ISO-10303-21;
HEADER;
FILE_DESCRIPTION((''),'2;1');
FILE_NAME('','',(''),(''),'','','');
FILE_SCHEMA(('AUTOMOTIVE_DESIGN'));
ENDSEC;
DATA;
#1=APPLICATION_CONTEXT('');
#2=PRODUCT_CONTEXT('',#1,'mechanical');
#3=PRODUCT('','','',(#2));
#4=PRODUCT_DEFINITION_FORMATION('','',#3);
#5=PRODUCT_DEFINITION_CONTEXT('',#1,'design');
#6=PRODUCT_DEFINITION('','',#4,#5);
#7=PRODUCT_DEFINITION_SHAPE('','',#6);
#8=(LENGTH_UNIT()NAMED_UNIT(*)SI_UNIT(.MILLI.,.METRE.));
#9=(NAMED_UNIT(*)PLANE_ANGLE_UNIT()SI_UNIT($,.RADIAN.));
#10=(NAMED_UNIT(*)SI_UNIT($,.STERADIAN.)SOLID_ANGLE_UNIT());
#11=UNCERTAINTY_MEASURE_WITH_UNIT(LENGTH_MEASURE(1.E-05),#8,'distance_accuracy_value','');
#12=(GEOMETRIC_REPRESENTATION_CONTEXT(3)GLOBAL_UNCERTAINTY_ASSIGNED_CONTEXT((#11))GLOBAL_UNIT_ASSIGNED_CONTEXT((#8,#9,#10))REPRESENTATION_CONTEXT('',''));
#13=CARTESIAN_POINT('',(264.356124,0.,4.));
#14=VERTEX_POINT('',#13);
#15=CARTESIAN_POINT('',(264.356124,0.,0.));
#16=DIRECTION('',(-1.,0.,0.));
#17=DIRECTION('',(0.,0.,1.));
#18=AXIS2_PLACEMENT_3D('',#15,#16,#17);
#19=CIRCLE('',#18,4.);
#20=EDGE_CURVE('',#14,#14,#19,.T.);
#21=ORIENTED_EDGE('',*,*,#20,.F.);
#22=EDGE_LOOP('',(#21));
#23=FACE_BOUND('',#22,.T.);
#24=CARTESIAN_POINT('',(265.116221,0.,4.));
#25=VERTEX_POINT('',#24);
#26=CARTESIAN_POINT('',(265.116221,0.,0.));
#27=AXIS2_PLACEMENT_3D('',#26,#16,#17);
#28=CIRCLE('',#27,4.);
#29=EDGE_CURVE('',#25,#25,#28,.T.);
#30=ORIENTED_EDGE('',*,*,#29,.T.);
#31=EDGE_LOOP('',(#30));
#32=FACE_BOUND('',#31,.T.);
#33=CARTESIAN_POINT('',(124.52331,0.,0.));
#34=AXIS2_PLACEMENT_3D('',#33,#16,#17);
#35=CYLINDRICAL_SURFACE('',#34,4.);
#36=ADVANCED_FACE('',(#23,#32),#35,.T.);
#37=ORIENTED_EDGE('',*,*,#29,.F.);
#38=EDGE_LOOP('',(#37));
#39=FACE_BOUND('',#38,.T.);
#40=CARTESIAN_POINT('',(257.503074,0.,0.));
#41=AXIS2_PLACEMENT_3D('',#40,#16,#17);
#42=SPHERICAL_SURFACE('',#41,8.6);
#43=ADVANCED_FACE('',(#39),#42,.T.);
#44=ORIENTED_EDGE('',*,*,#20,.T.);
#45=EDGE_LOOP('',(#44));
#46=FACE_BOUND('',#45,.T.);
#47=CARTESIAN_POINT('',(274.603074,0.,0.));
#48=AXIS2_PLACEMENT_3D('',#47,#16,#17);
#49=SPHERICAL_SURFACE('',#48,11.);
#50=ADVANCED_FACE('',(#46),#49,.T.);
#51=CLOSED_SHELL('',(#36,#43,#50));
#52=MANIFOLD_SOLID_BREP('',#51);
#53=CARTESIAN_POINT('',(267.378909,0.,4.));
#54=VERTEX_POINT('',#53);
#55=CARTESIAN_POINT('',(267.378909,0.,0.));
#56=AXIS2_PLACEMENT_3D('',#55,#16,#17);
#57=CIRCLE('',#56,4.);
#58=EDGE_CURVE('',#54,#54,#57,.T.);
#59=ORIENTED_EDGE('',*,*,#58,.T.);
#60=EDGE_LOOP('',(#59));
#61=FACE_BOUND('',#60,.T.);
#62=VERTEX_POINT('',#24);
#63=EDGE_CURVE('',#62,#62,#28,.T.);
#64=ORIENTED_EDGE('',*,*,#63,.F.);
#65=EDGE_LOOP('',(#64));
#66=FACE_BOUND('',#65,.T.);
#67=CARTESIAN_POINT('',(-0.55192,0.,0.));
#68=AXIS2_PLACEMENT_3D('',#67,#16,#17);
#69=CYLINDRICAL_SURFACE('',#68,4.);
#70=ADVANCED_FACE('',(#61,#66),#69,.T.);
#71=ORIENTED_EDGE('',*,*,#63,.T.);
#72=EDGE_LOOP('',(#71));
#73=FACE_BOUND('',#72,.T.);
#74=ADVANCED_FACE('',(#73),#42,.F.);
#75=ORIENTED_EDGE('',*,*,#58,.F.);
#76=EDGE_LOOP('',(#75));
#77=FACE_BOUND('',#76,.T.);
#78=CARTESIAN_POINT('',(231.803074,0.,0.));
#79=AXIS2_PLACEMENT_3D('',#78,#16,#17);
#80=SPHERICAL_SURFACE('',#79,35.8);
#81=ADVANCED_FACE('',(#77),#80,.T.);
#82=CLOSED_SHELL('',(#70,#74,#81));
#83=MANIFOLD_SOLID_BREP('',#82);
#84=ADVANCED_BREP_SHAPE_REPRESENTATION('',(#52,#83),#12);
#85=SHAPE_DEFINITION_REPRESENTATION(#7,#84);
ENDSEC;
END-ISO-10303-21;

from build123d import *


with BuildPart() as part:
    # 草图1 one side → 旋转1 (revolve)
    with BuildSketch(Plane(origin=(0, 0, 0), x_dir=(1, 0, 0), z_dir=(0, 1, 0)), mode=Mode.PRIVATE) as revolve_1_sk:
        with BuildLine():
            ThreePointArc((264.356123725, 4), (263.792976008, 2.035134096), (263.603074491, 0))
            Line((263.603074491, 0), (266.103074491, 0))
            ThreePointArc((266.103074491, 0), (265.852717001, 2.059968433), (265.116221015, 4))
            Line((265.116221015, 4), (264.356123725, 4))
        make_face()
    revolve(revolve_1_sk.sketch.rotate(Axis((124.523309526, 0, 0), (1, 0, 0)), 180), axis=Axis((124.523309526, 0, 0), (1, 0, 0)))  # turned: the seam where the file's is


with BuildPart() as body_2:
    # 草图2 one side → 旋转3 (revolve)
    with BuildSketch(Plane(origin=(0, 0, 0), x_dir=(1, 0, 0), z_dir=(0, 1, 0)), mode=Mode.PRIVATE) as revolve_3_sk:
        with BuildLine():
            Line((267.378908986, 4), (265.116221015, 4))
            ThreePointArc((265.116221015, 4), (265.852717001, 2.059968433), (266.103074491, 0))
            Line((266.103074491, 0), (267.603074491, 0))
            ThreePointArc((267.603074491, 0), (267.546989182, 2.003138174), (267.378908986, 4))
        make_face()
    revolve(revolve_3_sk.sketch.rotate(Axis((-0.551919993, 0, 0), (1, 0, 0)), 180), axis=Axis((-0.551919993, 0, 0), (1, 0, 0)))  # turned: the seam where the file's is


solid = Compound([part.part, body_2.part])
